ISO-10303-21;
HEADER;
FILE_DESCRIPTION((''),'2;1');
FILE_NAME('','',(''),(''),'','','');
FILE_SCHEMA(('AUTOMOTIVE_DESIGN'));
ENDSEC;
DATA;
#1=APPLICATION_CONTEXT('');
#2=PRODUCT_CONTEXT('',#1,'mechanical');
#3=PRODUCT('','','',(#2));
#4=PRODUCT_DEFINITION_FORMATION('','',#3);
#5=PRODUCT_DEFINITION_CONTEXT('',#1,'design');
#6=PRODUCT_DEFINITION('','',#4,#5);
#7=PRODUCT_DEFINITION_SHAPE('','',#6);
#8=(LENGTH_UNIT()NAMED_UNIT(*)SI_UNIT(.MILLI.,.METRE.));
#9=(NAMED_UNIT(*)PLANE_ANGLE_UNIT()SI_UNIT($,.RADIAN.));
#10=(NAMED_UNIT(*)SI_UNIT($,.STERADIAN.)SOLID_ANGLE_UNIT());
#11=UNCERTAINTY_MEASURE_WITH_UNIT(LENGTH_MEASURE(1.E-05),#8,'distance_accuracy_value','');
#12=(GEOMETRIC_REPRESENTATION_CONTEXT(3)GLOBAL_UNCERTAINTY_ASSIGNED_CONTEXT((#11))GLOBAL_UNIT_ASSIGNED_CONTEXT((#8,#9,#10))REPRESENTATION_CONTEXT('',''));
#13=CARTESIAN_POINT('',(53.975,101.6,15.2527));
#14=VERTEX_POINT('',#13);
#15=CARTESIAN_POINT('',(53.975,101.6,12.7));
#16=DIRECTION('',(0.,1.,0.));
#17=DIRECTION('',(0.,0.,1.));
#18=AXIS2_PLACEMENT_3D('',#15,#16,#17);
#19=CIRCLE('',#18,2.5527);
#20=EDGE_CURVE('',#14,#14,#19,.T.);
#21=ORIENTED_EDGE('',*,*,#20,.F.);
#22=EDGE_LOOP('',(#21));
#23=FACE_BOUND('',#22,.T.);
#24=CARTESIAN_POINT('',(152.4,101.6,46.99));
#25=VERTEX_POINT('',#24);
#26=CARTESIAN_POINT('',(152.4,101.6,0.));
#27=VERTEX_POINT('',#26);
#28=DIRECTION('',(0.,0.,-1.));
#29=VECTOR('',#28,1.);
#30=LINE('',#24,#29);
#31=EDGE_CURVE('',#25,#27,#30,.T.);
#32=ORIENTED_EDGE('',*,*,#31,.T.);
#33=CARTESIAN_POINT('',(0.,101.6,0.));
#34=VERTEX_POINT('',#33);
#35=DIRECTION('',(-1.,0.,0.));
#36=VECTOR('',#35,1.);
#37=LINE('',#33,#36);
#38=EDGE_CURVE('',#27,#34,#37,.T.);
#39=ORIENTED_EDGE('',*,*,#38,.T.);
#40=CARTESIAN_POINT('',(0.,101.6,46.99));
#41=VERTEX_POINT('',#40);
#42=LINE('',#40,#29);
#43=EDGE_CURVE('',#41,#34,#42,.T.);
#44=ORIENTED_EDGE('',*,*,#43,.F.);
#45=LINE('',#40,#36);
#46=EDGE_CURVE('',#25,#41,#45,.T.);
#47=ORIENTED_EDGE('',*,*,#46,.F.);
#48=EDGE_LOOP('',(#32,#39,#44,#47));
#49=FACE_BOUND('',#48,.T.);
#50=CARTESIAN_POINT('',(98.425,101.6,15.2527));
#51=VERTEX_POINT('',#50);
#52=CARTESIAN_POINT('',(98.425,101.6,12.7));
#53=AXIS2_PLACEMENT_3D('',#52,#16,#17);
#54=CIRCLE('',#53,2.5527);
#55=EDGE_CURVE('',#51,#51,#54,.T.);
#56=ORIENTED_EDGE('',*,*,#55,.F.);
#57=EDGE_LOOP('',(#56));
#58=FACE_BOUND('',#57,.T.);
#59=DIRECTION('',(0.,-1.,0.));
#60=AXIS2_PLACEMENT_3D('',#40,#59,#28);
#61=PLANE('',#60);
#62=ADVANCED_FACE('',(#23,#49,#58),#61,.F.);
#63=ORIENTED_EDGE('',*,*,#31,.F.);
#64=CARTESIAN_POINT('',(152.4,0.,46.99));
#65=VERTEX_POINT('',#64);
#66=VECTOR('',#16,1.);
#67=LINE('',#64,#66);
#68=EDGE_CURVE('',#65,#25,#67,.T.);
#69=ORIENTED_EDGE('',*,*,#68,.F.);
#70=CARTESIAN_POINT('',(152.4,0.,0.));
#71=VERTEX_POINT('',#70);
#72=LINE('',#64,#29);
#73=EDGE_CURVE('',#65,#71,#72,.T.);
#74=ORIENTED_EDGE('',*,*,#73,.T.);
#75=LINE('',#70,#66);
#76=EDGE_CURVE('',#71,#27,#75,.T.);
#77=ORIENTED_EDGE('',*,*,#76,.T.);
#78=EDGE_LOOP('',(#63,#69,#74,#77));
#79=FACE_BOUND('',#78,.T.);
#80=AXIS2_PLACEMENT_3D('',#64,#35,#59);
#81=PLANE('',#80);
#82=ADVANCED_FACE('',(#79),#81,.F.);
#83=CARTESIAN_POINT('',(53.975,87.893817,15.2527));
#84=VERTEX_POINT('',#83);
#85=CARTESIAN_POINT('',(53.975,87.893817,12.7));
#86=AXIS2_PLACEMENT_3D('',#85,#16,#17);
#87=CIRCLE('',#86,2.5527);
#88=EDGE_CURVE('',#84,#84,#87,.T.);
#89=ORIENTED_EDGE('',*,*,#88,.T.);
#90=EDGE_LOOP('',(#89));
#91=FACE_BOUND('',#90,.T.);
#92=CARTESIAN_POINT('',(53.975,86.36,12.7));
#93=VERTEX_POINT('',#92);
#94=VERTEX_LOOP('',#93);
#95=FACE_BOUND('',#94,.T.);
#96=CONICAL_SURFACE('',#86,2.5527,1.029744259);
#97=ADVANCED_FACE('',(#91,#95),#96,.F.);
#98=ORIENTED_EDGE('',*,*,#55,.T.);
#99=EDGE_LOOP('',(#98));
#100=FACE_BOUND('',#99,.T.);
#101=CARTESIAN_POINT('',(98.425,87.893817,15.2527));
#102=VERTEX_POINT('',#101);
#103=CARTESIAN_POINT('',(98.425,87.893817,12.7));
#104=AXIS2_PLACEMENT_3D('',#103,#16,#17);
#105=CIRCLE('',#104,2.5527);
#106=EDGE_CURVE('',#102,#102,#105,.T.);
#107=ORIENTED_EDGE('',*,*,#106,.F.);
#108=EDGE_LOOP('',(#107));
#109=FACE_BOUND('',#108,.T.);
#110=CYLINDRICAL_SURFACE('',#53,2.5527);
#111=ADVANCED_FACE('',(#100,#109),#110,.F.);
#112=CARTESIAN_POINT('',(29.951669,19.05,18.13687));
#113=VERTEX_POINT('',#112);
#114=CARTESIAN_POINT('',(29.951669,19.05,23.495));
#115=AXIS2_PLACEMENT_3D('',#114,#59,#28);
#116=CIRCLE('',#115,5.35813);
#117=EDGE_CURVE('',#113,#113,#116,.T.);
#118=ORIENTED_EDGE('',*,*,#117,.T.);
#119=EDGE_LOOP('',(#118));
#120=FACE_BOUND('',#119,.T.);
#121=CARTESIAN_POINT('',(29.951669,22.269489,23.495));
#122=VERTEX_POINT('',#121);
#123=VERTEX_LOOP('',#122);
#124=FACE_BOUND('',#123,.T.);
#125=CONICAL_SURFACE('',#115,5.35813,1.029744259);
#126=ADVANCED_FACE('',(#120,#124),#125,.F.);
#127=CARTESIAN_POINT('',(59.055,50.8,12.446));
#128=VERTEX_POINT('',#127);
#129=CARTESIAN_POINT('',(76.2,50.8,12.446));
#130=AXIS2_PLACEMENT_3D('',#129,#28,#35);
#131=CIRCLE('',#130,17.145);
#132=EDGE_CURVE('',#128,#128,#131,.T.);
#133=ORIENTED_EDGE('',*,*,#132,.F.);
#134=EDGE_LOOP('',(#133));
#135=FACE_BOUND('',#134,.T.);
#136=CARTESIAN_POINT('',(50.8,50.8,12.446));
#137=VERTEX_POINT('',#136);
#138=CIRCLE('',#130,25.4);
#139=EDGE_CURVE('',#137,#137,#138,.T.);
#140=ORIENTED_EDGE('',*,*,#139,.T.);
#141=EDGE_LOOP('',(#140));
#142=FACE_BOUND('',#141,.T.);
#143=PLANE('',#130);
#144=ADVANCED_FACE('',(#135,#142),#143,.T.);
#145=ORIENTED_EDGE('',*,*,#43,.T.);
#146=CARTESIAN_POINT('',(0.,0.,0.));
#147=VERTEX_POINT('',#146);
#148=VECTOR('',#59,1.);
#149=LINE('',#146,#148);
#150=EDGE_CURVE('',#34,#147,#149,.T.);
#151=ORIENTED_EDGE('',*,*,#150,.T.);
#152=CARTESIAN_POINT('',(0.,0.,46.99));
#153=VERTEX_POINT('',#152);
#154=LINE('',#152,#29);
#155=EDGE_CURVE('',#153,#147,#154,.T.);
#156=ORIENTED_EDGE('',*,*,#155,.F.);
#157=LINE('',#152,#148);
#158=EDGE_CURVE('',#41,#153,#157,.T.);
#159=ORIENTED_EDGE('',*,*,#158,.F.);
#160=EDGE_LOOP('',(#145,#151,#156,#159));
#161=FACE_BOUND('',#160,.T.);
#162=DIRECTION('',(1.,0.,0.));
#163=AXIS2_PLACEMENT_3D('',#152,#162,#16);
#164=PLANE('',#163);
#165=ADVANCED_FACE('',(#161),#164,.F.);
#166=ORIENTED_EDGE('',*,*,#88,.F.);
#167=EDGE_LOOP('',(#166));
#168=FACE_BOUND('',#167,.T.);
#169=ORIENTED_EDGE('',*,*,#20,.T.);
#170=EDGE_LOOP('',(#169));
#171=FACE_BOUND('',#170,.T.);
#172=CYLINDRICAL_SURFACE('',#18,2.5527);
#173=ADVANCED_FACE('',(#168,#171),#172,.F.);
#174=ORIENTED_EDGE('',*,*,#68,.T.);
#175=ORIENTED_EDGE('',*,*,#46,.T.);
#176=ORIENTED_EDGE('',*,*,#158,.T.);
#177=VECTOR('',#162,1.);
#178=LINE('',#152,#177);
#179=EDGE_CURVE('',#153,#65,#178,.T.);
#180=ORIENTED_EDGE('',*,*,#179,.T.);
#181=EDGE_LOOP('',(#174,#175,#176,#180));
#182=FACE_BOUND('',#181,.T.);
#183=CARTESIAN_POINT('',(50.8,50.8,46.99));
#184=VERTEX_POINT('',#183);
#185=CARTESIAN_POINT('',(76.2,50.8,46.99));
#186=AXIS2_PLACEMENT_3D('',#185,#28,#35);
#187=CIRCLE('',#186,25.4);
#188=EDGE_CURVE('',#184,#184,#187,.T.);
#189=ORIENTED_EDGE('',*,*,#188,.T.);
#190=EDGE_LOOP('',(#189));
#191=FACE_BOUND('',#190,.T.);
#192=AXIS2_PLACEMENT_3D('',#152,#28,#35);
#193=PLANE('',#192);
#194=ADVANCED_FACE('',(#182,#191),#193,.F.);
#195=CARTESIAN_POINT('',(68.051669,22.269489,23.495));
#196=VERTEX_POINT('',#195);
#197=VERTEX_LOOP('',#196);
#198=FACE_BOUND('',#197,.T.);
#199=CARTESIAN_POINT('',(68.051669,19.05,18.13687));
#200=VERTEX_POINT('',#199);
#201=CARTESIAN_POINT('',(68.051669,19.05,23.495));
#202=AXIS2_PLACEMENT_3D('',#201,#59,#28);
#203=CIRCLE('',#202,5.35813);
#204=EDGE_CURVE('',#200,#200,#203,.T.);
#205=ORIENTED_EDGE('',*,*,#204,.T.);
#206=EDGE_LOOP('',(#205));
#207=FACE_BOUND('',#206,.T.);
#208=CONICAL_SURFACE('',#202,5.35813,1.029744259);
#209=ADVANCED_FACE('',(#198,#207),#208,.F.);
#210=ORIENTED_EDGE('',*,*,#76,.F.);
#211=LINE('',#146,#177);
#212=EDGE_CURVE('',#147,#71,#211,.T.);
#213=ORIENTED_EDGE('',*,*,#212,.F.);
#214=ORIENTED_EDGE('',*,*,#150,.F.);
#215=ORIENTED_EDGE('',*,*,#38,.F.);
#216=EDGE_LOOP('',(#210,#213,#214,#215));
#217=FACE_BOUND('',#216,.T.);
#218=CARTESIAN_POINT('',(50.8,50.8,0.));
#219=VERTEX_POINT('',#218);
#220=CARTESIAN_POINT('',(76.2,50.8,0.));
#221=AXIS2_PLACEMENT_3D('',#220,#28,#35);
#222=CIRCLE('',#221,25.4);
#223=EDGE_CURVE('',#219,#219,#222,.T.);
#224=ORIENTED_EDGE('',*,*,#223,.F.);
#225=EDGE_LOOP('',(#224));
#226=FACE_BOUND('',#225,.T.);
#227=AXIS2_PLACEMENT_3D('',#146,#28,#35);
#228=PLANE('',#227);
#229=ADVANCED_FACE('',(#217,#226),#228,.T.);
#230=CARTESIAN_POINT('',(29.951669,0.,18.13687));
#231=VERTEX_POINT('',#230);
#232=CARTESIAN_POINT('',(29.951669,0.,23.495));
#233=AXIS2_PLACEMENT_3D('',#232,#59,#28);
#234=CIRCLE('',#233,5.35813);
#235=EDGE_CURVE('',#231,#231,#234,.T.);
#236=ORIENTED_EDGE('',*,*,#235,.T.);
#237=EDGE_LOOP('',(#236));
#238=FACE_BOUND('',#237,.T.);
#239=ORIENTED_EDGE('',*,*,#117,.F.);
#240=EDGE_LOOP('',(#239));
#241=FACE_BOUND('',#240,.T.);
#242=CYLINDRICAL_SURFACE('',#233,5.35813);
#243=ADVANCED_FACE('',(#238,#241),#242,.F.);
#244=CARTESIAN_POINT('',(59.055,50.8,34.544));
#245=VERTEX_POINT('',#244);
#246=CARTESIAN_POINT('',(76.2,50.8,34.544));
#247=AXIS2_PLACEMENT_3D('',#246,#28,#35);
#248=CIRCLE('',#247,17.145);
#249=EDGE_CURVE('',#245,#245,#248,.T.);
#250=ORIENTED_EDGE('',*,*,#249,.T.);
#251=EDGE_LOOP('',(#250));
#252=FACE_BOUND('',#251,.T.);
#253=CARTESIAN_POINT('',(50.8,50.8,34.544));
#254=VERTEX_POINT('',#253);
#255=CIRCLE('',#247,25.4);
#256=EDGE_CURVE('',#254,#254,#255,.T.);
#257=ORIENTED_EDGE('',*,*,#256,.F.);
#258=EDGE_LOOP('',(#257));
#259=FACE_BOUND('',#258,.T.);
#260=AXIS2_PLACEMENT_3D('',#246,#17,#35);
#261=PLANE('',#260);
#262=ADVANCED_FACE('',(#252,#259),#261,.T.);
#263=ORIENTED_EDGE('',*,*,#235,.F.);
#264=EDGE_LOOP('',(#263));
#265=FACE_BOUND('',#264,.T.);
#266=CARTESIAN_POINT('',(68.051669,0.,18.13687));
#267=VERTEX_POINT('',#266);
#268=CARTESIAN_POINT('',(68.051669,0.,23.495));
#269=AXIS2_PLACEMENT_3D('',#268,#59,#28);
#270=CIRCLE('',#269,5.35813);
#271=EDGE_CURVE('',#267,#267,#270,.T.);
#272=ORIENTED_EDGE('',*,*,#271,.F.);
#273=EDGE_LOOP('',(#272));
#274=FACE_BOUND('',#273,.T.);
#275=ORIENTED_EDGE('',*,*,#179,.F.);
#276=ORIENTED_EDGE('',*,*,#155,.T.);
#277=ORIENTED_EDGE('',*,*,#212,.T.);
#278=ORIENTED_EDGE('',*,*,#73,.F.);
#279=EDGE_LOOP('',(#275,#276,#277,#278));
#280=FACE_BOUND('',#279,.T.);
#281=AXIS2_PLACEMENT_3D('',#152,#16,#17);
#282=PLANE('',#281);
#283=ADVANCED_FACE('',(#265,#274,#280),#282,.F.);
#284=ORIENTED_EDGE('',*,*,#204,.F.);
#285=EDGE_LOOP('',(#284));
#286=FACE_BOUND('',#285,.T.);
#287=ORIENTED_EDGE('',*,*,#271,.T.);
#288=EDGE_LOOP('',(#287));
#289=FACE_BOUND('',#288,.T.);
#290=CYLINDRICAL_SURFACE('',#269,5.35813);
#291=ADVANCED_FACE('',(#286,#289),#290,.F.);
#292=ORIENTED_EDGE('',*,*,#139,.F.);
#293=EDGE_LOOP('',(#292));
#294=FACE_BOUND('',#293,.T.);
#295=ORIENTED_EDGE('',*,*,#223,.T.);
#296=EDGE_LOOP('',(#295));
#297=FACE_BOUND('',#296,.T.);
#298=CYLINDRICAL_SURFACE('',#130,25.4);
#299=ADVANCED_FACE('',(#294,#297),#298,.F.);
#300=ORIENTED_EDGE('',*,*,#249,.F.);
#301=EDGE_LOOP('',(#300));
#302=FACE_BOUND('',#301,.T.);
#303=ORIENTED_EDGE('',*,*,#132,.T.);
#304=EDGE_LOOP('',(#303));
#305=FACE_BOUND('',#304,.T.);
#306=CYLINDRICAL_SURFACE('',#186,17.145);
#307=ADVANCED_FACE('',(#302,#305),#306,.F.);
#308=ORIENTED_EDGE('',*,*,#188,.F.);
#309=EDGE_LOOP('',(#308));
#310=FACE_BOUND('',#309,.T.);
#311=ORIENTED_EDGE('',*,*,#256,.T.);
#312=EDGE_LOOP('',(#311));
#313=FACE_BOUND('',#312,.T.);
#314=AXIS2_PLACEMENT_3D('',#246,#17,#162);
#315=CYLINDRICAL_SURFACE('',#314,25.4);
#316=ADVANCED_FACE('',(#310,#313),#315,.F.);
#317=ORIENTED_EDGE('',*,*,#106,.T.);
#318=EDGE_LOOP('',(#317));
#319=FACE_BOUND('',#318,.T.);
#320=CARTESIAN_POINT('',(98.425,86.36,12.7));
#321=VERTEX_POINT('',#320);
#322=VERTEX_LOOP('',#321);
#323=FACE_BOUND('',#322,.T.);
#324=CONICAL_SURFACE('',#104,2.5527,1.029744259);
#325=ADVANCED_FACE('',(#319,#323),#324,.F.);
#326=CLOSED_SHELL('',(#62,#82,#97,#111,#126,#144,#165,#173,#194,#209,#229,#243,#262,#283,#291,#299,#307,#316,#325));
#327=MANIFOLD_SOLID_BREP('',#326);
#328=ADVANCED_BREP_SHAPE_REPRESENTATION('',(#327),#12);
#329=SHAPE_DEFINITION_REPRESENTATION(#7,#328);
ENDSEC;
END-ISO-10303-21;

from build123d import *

# Parameters (mm, degrees)
SKETCH1_W                       = 152.4
SKETCH1_H                       = 101.6
BOSS_EXTRUDE1_DEPTH             = 46.99
SKETCH2_R                       = 17.145
CUT_EXTRUDE1_DEPTH              = 190.093574983
SKETCH2_2_R                     = 25.4
SKETCH2_2_R_2                   = 17.145
CUT_EXTRUDE3_DEPTH              = 12.446
TAP_DRILL_FOR_1_2_13_TAP1_D     = 10.71626
TAP_DRILL_FOR_1_2_13_TAP1_DEPTH = 19.05
TAP_DRILL_FOR_1_2_13_TAP1_TIP   = 3.219489309
TAP_DRILL_FOR_1_4_20_TAP1_D     = 5.1054
TAP_DRILL_FOR_1_4_20_TAP1_DEPTH = 13.706183098
TAP_DRILL_FOR_1_4_20_TAP1_TIP   = 1.533816902


with BuildPart() as part:
    # Sketch1 → Boss-Extrude1 (new body)
    with BuildSketch(Plane.XY):
        with Locations((76.2, 50.8)):
            Rectangle(SKETCH1_W, SKETCH1_H)
    extrude(amount=BOSS_EXTRUDE1_DEPTH)

    # Sketch2 → Cut-Extrude1 (cut, through all)
    with BuildSketch(Plane(origin=(0, 0, 0), x_dir=(-1, 0, 0), z_dir=(0, 0, -1))):
        with Locations((-76.2, 50.8)):
            Circle(SKETCH2_R)
    extrude(amount=-CUT_EXTRUDE1_DEPTH, mode=Mode.SUBTRACT)

    # Sketch2<2> → Cut-Extrude3 (cut)
    with BuildSketch(Plane(origin=(0, 0, 0), x_dir=(-1, 0, 0), z_dir=(0, 0, -1))):
        with Locations((-76.2, 50.8)):
            Circle(SKETCH2_2_R)
        with Locations((-76.2, 50.8)):
            Circle(SKETCH2_2_R_2, mode=Mode.SUBTRACT)
    cut_extrude3 = extrude(amount=-CUT_EXTRUDE3_DEPTH, mode=Mode.SUBTRACT)

    # Mirror2: Cut-Extrude3 across plane
    add(cut_extrude3.mirror(Plane(origin=(0, 0, 23.495), x_dir=(1, 0, 0), z_dir=(0, 0, -1))), mode=Mode.SUBTRACT)

    # Tap Drill for 1/2-13 Tap1
    with Locations(Plane(origin=(0, 0, 0), x_dir=(-1, 0, 0), z_dir=(0, -1, 0))):
        with Locations((-68.051669078, -23.495), (-29.951669078, -23.495)):
            Hole(TAP_DRILL_FOR_1_2_13_TAP1_D / 2, depth=TAP_DRILL_FOR_1_2_13_TAP1_DEPTH)
            with Locations((0, 0, -(TAP_DRILL_FOR_1_2_13_TAP1_DEPTH + TAP_DRILL_FOR_1_2_13_TAP1_TIP / 2))):  # 118° drill point
                Cone(0, TAP_DRILL_FOR_1_2_13_TAP1_D / 2, TAP_DRILL_FOR_1_2_13_TAP1_TIP, mode=Mode.SUBTRACT)

    # Tap Drill for 1/4-20 Tap1
    with Locations(Plane(origin=(50.8, 101.6, 0), x_dir=(0, 0, -1), z_dir=(0, 1, 0))):
        with Locations((-12.7, -47.625), (-12.7, -3.175)):
            Hole(TAP_DRILL_FOR_1_4_20_TAP1_D / 2, depth=TAP_DRILL_FOR_1_4_20_TAP1_DEPTH)
            with Locations((0, 0, -(TAP_DRILL_FOR_1_4_20_TAP1_DEPTH + TAP_DRILL_FOR_1_4_20_TAP1_TIP / 2))):  # 118° drill point
                Cone(0, TAP_DRILL_FOR_1_4_20_TAP1_D / 2, TAP_DRILL_FOR_1_4_20_TAP1_TIP, mode=Mode.SUBTRACT)


solid = part.part
